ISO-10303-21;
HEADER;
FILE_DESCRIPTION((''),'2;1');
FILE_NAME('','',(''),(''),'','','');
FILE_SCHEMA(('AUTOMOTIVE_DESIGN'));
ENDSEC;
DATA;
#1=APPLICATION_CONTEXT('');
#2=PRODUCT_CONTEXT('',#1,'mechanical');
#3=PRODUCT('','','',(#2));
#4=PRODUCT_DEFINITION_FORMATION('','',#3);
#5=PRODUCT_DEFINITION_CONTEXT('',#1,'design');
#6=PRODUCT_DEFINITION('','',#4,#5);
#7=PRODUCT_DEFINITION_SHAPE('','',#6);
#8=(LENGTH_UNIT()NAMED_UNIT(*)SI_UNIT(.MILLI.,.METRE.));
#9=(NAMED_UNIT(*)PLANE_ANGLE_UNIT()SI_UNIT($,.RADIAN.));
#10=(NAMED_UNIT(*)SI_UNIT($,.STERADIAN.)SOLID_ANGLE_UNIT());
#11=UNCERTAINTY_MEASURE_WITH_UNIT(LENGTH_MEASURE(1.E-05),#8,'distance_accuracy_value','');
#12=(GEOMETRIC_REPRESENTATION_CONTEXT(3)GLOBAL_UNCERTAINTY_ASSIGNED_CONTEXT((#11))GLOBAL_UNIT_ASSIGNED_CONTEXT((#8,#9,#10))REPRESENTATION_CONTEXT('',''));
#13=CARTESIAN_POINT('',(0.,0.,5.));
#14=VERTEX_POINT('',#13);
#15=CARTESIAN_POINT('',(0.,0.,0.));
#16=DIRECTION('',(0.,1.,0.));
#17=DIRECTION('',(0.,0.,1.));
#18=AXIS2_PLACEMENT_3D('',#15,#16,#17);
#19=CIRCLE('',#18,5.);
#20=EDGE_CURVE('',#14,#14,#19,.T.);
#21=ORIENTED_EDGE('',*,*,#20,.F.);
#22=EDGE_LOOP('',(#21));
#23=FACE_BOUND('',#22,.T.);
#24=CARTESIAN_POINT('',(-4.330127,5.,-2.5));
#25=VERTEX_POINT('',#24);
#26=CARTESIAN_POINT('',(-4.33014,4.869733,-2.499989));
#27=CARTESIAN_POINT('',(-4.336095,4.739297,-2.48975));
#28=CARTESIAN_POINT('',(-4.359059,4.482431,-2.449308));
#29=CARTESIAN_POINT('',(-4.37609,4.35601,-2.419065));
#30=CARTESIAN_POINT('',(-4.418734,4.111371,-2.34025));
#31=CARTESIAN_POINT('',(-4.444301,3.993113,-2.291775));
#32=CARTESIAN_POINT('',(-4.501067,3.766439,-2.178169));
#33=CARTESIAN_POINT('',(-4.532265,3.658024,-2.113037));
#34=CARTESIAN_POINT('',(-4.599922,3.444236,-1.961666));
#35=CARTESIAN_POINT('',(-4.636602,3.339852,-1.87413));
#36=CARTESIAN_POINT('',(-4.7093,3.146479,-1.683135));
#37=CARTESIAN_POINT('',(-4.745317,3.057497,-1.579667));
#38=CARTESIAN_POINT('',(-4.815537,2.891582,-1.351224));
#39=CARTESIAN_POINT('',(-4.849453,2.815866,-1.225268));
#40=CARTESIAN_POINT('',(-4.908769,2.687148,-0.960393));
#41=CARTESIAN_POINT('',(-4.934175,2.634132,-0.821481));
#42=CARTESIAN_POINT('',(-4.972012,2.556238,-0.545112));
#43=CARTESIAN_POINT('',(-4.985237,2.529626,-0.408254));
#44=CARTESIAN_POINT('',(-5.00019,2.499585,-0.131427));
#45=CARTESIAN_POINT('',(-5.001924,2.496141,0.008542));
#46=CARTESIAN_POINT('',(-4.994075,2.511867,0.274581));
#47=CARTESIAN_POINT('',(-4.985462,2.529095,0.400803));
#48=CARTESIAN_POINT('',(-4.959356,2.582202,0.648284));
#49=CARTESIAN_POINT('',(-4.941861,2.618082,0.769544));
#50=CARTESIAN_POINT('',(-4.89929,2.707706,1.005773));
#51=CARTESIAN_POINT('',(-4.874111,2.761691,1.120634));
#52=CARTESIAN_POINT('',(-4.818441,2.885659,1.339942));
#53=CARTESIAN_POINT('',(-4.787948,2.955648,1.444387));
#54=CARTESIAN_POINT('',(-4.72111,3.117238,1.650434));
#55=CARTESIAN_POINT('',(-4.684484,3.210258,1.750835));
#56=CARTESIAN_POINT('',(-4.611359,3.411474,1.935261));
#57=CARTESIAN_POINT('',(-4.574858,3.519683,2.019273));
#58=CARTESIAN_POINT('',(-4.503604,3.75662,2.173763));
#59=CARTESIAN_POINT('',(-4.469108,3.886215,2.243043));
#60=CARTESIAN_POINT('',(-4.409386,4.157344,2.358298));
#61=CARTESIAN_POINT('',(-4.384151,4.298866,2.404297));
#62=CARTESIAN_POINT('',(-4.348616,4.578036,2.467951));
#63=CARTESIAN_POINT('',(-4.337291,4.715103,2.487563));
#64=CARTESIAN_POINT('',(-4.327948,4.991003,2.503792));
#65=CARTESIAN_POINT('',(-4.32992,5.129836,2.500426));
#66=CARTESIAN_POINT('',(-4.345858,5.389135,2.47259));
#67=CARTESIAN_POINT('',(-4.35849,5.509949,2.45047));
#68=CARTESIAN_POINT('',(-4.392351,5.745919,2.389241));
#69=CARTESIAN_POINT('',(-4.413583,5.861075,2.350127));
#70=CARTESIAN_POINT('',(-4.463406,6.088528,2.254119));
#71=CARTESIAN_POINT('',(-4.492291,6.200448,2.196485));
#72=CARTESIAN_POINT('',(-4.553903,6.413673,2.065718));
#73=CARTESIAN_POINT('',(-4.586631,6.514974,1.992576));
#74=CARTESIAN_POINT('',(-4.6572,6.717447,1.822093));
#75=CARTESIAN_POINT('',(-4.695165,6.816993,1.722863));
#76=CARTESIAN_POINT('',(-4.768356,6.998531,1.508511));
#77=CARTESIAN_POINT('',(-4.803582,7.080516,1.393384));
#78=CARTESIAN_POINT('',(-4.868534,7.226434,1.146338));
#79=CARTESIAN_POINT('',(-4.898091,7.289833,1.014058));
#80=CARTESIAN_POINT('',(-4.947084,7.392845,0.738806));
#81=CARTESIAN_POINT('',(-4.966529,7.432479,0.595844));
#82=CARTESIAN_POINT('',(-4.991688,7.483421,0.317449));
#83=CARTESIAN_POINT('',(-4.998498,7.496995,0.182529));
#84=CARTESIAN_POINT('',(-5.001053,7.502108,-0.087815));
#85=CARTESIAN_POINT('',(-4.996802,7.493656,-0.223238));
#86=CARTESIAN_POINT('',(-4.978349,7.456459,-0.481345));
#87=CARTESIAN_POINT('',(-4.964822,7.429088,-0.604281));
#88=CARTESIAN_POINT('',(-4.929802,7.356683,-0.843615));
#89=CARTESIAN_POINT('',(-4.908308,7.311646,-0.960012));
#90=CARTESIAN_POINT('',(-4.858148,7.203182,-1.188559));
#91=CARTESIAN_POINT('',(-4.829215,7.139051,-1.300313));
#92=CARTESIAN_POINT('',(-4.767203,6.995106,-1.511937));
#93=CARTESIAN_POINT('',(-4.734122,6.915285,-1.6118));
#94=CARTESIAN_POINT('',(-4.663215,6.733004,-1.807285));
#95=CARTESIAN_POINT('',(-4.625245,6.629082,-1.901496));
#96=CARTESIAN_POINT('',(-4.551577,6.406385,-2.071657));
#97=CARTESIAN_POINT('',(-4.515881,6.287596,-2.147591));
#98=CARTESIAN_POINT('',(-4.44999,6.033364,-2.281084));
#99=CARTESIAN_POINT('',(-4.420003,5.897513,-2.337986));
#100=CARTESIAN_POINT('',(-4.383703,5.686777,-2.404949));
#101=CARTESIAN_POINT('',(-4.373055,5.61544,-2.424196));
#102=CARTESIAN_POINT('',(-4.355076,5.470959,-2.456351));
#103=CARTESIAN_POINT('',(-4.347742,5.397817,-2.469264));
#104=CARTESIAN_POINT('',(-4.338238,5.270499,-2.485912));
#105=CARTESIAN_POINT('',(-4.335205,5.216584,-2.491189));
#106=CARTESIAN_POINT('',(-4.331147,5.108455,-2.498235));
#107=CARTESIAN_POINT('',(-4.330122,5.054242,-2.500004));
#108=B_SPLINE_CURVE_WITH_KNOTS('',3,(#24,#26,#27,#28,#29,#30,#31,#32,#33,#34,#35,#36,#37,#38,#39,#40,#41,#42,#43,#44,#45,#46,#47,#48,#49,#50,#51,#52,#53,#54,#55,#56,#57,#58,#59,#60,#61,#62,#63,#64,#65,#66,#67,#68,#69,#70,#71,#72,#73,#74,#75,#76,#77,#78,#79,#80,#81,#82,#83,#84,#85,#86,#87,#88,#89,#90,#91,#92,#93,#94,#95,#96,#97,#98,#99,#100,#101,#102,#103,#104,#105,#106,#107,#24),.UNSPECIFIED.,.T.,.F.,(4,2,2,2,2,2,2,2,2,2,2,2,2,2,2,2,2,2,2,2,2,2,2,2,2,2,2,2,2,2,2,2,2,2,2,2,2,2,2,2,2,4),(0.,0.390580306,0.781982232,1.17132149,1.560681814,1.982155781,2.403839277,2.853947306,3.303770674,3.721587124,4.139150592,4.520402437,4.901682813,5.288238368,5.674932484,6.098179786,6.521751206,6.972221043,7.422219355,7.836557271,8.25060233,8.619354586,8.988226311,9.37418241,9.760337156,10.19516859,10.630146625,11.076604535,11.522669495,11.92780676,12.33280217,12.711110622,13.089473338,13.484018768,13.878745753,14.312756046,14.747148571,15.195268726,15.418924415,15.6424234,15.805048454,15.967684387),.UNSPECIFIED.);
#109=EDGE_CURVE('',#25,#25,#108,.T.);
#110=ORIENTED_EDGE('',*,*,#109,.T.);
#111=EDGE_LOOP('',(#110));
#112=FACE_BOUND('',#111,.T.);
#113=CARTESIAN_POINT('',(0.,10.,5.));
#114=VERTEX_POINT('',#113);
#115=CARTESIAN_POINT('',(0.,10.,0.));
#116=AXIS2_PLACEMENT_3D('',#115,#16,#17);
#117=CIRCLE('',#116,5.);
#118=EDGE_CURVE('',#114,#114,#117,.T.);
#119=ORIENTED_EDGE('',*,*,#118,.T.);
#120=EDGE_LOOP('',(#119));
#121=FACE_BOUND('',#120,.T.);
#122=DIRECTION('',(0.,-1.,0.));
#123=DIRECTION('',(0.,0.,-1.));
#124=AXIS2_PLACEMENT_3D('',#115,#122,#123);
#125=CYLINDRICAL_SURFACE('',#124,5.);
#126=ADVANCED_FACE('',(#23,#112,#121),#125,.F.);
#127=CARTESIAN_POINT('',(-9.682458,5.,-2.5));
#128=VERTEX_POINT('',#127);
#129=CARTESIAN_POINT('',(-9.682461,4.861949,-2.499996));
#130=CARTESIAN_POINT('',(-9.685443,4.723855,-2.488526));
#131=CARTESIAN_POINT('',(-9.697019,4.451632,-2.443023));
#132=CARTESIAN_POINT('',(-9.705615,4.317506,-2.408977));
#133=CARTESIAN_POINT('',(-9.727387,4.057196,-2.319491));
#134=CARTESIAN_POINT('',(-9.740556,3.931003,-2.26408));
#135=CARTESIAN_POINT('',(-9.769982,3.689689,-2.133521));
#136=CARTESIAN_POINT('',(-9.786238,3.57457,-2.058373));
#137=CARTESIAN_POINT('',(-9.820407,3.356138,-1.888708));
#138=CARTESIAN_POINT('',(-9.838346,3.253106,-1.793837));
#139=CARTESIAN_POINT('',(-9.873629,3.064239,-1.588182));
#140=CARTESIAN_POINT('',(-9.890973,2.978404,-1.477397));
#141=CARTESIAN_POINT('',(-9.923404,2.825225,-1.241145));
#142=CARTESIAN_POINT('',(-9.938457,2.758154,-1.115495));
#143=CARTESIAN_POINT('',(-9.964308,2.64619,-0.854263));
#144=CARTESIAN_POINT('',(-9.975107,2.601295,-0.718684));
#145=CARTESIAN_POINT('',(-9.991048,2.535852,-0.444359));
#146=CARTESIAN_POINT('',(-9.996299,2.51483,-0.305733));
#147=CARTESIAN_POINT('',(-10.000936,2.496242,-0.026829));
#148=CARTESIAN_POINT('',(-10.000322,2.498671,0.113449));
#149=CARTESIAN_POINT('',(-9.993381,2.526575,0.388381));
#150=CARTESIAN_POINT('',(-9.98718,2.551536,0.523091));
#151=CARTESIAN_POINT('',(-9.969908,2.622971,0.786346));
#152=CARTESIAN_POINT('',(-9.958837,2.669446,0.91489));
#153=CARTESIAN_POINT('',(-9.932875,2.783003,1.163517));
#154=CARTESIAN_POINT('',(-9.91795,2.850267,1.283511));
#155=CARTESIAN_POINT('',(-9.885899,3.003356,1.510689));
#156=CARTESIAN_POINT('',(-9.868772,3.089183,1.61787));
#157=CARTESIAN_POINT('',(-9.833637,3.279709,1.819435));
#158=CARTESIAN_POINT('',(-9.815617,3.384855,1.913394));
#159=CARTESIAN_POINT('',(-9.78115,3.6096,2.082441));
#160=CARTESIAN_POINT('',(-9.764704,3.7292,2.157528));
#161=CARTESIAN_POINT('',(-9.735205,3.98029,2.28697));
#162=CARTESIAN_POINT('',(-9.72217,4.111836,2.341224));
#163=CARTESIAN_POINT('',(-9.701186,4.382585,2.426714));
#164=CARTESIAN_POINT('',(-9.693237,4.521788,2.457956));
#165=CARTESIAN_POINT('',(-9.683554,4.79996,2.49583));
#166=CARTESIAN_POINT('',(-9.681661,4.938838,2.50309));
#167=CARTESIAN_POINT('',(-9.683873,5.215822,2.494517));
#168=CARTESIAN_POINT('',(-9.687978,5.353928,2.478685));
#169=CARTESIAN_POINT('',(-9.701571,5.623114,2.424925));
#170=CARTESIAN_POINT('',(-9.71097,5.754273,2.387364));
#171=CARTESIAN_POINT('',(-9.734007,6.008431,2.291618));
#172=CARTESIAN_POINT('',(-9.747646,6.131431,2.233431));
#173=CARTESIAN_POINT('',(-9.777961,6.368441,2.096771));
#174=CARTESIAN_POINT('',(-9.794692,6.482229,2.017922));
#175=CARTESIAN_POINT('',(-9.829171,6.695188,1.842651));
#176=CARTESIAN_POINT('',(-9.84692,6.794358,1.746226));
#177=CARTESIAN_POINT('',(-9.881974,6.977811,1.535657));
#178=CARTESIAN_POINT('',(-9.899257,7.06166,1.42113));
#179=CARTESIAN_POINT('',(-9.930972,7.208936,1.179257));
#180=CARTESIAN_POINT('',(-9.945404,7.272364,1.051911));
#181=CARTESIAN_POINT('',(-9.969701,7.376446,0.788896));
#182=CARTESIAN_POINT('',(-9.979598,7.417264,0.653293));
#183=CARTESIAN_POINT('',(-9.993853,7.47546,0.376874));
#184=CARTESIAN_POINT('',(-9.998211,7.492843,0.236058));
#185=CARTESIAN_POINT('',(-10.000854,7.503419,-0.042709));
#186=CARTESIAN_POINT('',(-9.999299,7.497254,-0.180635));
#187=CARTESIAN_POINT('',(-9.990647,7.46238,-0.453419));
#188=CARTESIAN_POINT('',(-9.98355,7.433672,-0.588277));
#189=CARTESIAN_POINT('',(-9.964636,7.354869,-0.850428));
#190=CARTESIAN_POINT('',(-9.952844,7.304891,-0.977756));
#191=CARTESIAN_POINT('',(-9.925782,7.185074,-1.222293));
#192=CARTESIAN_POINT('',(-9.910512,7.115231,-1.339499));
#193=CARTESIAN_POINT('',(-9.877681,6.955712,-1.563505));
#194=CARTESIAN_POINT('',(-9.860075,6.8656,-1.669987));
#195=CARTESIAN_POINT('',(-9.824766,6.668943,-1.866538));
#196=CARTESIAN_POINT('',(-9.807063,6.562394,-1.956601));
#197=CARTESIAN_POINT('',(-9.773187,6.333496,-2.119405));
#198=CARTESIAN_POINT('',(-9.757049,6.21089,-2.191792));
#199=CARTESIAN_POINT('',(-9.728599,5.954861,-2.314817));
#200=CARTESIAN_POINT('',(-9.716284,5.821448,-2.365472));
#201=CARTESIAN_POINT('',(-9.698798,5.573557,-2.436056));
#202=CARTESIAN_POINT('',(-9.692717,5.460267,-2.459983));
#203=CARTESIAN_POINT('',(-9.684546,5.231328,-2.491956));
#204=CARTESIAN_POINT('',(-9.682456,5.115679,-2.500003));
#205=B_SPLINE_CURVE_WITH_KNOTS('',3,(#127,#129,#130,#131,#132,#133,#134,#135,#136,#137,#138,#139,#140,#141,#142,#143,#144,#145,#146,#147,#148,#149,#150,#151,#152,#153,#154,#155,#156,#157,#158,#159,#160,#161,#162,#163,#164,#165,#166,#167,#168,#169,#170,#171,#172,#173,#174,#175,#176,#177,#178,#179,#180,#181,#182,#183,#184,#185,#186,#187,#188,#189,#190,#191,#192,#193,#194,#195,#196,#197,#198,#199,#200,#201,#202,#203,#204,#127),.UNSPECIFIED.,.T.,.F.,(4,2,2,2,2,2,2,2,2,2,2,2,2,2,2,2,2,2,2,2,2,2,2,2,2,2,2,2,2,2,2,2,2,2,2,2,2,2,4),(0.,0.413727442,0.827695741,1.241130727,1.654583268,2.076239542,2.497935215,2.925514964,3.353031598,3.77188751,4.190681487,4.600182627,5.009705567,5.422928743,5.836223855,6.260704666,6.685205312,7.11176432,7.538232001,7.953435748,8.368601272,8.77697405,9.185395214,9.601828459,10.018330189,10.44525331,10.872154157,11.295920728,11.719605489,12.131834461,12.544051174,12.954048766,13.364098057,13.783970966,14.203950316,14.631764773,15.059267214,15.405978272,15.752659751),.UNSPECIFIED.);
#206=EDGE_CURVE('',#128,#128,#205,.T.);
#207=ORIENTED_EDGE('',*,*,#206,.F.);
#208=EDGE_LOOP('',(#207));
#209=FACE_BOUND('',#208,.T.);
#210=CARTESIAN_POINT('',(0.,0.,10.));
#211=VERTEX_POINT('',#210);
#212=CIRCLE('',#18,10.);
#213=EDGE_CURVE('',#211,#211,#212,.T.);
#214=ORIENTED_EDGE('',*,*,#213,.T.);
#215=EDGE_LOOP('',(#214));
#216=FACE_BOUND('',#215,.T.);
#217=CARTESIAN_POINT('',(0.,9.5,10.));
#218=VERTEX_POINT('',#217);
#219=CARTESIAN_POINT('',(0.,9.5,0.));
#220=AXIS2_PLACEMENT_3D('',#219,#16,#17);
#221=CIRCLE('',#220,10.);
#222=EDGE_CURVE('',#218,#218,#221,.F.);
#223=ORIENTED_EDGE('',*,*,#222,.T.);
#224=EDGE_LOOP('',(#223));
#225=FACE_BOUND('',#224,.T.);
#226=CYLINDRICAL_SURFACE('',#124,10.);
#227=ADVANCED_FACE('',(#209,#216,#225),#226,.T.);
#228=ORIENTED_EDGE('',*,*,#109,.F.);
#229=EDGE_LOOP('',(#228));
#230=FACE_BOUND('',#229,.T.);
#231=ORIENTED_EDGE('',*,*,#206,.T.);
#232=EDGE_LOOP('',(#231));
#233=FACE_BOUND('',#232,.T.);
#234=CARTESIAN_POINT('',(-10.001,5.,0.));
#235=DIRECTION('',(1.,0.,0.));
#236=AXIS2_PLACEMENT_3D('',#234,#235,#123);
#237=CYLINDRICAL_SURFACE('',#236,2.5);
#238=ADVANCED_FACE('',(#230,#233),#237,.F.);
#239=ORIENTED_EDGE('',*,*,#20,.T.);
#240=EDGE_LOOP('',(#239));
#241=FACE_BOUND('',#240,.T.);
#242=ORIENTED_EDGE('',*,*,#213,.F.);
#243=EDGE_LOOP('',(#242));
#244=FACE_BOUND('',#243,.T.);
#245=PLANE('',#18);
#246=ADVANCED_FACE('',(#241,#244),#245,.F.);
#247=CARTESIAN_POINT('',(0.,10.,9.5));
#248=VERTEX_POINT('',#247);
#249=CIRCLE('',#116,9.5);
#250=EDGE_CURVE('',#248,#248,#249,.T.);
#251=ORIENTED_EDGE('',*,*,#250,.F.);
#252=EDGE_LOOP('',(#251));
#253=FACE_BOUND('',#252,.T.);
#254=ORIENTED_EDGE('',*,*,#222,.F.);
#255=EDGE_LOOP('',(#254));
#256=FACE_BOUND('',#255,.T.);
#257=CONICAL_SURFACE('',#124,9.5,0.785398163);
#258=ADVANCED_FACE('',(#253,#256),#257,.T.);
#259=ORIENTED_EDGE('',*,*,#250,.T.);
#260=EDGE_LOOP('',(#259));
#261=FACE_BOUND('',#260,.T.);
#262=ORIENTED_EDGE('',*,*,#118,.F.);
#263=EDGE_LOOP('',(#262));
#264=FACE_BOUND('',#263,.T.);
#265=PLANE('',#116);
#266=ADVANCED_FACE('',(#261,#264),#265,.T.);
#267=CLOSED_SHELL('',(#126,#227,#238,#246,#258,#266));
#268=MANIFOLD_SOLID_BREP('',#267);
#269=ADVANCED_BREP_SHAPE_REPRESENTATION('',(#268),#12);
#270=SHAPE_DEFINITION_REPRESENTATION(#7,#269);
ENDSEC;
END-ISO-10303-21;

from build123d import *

# Parameters (mm, degrees)
SKETCH1_R               = 10
SKETCH1_R_2             = 5
BOSS_EXTRUDE1_DEPTH     = 10
CHAMFER1_SIZE           = 0.5
CUT_EXTRUDE1_REACH      = 19.321
CUT_EXTRUDE1_END_RADIUS = 10
SKETCH19_R              = 2.5


with BuildPart() as part:
    # Sketch1 → Boss-Extrude1 (new body)
    with BuildSketch(Plane(origin=(0, 0, 0), x_dir=(1, 0, 0), z_dir=(0, 1, 0))):
        with Locations(Location((0, 0, 0), (0, 0, 270))):
            Circle(SKETCH1_R)
        with Locations(Location((0, 0, 0), (0, 0, 270))):
            Circle(SKETCH1_R_2, mode=Mode.SUBTRACT)
    extrude(amount=BOSS_EXTRUDE1_DEPTH)

    # Chamfer1
    chamfer1_edges = [part.edges().sort_by_distance(p)[0] for p in [
        (0, 10, -10),
    ]]
    chamfer(chamfer1_edges, length=CHAMFER1_SIZE)

    # Cut-Extrude1: up to this cylinder (the profile starts inside it)
    cut_extrude1_end = Plane(origin=(0, 5, 0), z_dir=(0, -1, 0)) * Cylinder(CUT_EXTRUDE1_END_RADIUS, 59.642, mode=Mode.PRIVATE)
    # Sketch19 → Cut-Extrude1 (cut, up to the surface)
    with BuildSketch(Plane(origin=(0, 0, 0), x_dir=(0, 0, -1), z_dir=(1, 0, 0)), mode=Mode.PRIVATE) as cut_extrude1_sk1:
        with Locations((0, 5)):
            Circle(SKETCH19_R)
    cut_extrude1_tool1 = extrude(cut_extrude1_sk1.sketch, amount=-CUT_EXTRUDE1_REACH, mode=Mode.PRIVATE) & cut_extrude1_end
    add(cut_extrude1_tool1.solids().sort_by_distance((0, 5, 0))[0], mode=Mode.SUBTRACT)


solid = part.part
